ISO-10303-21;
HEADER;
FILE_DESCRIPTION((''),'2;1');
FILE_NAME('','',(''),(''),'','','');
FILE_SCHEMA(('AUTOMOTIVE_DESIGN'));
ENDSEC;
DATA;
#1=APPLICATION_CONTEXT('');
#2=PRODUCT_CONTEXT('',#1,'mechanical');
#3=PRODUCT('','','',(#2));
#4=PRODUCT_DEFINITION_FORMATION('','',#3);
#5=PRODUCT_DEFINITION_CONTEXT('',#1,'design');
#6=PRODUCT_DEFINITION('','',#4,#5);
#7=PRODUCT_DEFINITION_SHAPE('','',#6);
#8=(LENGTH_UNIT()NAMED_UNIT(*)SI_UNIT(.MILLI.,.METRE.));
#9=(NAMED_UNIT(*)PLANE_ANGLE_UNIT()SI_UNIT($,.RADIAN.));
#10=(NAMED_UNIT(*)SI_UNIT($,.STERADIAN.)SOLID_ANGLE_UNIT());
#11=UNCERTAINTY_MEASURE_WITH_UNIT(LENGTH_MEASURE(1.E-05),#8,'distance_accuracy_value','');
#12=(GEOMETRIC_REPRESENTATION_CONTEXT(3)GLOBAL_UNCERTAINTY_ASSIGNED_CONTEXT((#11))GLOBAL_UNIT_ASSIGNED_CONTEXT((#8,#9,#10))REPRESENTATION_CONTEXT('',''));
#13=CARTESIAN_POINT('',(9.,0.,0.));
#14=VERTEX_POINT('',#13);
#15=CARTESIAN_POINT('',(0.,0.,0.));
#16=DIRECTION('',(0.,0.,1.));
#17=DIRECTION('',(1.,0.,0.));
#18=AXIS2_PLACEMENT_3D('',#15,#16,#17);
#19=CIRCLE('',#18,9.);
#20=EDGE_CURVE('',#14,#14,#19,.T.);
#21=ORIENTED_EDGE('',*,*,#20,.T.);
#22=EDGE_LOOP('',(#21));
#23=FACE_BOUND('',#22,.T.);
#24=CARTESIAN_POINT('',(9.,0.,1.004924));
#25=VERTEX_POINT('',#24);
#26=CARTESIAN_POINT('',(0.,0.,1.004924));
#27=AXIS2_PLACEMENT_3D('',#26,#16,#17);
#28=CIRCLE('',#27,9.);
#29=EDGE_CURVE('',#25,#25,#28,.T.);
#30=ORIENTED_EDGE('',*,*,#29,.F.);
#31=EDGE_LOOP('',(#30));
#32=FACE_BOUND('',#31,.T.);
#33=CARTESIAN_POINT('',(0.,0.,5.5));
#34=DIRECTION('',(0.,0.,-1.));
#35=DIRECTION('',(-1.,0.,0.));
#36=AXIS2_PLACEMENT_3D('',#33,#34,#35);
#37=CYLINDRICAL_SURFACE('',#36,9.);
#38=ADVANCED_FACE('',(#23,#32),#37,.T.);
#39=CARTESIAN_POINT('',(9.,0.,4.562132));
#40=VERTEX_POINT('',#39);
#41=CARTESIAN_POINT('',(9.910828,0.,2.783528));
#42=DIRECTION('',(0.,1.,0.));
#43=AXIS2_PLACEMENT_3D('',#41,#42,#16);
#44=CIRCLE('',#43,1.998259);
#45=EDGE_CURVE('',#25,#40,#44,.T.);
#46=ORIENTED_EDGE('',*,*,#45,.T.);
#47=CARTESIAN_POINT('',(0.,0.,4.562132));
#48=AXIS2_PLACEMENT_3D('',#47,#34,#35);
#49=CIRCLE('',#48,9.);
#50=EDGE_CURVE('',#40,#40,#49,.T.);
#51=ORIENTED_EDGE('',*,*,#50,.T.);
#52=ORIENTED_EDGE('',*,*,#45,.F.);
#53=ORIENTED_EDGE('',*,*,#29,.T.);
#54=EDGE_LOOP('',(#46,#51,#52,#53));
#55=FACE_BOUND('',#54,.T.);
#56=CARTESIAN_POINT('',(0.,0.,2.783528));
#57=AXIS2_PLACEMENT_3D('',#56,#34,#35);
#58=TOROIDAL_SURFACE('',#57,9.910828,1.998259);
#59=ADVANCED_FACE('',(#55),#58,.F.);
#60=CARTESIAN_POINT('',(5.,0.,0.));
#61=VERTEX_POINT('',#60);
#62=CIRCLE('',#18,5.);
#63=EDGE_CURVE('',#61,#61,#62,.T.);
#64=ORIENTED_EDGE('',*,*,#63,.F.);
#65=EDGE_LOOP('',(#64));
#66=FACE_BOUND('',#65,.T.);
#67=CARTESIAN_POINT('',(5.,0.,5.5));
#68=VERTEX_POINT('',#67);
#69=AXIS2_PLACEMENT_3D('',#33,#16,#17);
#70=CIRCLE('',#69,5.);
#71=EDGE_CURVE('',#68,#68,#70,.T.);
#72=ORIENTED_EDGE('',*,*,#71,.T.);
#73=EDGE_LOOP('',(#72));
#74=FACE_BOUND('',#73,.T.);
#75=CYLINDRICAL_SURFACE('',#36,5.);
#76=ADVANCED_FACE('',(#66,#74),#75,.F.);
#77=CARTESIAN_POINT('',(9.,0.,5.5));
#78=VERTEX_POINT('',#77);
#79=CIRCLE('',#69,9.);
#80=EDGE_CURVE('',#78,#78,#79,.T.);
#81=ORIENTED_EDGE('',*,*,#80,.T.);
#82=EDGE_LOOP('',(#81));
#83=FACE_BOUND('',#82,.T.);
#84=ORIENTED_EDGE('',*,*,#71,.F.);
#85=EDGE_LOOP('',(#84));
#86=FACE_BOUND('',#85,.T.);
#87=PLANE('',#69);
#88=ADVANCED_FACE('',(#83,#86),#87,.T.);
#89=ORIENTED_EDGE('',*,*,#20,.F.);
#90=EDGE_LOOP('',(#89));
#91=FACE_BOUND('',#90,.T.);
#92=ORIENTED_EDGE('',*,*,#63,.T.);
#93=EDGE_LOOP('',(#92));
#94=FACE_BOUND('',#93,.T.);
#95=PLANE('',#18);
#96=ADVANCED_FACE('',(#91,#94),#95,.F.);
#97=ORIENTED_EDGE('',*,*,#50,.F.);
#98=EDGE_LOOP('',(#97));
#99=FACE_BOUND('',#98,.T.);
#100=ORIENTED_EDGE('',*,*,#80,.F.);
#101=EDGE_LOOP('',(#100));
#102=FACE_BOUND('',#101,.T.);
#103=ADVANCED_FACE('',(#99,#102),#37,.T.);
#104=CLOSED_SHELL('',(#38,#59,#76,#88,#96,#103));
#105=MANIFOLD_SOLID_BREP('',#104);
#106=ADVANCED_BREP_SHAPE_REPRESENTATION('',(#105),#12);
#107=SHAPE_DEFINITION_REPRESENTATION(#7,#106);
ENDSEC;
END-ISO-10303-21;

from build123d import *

# Parameters (mm, degrees)
SKETCH_1_R      = 9
SKETCH_1_R_2    = 5
EXTRUDE_1_DEPTH = 5.5
SKETCH_2_R      = 1.998258956


with BuildPart() as part:
    # 草图1 → 凸台-拉伸1 (new body)
    with BuildSketch(Plane.XY):
        Circle(SKETCH_1_R)
        Circle(SKETCH_1_R_2, mode=Mode.SUBTRACT)
    extrude(amount=EXTRUDE_1_DEPTH)

    # 切除-扫描1: sweep along a path in 草图3
    with BuildLine(Plane(origin=(0, 0, 0), x_dir=(-1, 0, 0), z_dir=(0, 0, -1))) as sweep_1_path:
        CenterArc((0, 0), 9.906713407, 0, 360)
    # 草图2 → 切除-扫描1 (sweep, cut)
    with BuildSketch(Plane(origin=(0, 0, 0), x_dir=(1, 0, 0), z_dir=(0, 1, 0))):
        with Locations((9.910827978, -2.783527835)):
            Circle(SKETCH_2_R)
    sweep(path=sweep_1_path.line, mode=Mode.SUBTRACT)


solid = part.part
